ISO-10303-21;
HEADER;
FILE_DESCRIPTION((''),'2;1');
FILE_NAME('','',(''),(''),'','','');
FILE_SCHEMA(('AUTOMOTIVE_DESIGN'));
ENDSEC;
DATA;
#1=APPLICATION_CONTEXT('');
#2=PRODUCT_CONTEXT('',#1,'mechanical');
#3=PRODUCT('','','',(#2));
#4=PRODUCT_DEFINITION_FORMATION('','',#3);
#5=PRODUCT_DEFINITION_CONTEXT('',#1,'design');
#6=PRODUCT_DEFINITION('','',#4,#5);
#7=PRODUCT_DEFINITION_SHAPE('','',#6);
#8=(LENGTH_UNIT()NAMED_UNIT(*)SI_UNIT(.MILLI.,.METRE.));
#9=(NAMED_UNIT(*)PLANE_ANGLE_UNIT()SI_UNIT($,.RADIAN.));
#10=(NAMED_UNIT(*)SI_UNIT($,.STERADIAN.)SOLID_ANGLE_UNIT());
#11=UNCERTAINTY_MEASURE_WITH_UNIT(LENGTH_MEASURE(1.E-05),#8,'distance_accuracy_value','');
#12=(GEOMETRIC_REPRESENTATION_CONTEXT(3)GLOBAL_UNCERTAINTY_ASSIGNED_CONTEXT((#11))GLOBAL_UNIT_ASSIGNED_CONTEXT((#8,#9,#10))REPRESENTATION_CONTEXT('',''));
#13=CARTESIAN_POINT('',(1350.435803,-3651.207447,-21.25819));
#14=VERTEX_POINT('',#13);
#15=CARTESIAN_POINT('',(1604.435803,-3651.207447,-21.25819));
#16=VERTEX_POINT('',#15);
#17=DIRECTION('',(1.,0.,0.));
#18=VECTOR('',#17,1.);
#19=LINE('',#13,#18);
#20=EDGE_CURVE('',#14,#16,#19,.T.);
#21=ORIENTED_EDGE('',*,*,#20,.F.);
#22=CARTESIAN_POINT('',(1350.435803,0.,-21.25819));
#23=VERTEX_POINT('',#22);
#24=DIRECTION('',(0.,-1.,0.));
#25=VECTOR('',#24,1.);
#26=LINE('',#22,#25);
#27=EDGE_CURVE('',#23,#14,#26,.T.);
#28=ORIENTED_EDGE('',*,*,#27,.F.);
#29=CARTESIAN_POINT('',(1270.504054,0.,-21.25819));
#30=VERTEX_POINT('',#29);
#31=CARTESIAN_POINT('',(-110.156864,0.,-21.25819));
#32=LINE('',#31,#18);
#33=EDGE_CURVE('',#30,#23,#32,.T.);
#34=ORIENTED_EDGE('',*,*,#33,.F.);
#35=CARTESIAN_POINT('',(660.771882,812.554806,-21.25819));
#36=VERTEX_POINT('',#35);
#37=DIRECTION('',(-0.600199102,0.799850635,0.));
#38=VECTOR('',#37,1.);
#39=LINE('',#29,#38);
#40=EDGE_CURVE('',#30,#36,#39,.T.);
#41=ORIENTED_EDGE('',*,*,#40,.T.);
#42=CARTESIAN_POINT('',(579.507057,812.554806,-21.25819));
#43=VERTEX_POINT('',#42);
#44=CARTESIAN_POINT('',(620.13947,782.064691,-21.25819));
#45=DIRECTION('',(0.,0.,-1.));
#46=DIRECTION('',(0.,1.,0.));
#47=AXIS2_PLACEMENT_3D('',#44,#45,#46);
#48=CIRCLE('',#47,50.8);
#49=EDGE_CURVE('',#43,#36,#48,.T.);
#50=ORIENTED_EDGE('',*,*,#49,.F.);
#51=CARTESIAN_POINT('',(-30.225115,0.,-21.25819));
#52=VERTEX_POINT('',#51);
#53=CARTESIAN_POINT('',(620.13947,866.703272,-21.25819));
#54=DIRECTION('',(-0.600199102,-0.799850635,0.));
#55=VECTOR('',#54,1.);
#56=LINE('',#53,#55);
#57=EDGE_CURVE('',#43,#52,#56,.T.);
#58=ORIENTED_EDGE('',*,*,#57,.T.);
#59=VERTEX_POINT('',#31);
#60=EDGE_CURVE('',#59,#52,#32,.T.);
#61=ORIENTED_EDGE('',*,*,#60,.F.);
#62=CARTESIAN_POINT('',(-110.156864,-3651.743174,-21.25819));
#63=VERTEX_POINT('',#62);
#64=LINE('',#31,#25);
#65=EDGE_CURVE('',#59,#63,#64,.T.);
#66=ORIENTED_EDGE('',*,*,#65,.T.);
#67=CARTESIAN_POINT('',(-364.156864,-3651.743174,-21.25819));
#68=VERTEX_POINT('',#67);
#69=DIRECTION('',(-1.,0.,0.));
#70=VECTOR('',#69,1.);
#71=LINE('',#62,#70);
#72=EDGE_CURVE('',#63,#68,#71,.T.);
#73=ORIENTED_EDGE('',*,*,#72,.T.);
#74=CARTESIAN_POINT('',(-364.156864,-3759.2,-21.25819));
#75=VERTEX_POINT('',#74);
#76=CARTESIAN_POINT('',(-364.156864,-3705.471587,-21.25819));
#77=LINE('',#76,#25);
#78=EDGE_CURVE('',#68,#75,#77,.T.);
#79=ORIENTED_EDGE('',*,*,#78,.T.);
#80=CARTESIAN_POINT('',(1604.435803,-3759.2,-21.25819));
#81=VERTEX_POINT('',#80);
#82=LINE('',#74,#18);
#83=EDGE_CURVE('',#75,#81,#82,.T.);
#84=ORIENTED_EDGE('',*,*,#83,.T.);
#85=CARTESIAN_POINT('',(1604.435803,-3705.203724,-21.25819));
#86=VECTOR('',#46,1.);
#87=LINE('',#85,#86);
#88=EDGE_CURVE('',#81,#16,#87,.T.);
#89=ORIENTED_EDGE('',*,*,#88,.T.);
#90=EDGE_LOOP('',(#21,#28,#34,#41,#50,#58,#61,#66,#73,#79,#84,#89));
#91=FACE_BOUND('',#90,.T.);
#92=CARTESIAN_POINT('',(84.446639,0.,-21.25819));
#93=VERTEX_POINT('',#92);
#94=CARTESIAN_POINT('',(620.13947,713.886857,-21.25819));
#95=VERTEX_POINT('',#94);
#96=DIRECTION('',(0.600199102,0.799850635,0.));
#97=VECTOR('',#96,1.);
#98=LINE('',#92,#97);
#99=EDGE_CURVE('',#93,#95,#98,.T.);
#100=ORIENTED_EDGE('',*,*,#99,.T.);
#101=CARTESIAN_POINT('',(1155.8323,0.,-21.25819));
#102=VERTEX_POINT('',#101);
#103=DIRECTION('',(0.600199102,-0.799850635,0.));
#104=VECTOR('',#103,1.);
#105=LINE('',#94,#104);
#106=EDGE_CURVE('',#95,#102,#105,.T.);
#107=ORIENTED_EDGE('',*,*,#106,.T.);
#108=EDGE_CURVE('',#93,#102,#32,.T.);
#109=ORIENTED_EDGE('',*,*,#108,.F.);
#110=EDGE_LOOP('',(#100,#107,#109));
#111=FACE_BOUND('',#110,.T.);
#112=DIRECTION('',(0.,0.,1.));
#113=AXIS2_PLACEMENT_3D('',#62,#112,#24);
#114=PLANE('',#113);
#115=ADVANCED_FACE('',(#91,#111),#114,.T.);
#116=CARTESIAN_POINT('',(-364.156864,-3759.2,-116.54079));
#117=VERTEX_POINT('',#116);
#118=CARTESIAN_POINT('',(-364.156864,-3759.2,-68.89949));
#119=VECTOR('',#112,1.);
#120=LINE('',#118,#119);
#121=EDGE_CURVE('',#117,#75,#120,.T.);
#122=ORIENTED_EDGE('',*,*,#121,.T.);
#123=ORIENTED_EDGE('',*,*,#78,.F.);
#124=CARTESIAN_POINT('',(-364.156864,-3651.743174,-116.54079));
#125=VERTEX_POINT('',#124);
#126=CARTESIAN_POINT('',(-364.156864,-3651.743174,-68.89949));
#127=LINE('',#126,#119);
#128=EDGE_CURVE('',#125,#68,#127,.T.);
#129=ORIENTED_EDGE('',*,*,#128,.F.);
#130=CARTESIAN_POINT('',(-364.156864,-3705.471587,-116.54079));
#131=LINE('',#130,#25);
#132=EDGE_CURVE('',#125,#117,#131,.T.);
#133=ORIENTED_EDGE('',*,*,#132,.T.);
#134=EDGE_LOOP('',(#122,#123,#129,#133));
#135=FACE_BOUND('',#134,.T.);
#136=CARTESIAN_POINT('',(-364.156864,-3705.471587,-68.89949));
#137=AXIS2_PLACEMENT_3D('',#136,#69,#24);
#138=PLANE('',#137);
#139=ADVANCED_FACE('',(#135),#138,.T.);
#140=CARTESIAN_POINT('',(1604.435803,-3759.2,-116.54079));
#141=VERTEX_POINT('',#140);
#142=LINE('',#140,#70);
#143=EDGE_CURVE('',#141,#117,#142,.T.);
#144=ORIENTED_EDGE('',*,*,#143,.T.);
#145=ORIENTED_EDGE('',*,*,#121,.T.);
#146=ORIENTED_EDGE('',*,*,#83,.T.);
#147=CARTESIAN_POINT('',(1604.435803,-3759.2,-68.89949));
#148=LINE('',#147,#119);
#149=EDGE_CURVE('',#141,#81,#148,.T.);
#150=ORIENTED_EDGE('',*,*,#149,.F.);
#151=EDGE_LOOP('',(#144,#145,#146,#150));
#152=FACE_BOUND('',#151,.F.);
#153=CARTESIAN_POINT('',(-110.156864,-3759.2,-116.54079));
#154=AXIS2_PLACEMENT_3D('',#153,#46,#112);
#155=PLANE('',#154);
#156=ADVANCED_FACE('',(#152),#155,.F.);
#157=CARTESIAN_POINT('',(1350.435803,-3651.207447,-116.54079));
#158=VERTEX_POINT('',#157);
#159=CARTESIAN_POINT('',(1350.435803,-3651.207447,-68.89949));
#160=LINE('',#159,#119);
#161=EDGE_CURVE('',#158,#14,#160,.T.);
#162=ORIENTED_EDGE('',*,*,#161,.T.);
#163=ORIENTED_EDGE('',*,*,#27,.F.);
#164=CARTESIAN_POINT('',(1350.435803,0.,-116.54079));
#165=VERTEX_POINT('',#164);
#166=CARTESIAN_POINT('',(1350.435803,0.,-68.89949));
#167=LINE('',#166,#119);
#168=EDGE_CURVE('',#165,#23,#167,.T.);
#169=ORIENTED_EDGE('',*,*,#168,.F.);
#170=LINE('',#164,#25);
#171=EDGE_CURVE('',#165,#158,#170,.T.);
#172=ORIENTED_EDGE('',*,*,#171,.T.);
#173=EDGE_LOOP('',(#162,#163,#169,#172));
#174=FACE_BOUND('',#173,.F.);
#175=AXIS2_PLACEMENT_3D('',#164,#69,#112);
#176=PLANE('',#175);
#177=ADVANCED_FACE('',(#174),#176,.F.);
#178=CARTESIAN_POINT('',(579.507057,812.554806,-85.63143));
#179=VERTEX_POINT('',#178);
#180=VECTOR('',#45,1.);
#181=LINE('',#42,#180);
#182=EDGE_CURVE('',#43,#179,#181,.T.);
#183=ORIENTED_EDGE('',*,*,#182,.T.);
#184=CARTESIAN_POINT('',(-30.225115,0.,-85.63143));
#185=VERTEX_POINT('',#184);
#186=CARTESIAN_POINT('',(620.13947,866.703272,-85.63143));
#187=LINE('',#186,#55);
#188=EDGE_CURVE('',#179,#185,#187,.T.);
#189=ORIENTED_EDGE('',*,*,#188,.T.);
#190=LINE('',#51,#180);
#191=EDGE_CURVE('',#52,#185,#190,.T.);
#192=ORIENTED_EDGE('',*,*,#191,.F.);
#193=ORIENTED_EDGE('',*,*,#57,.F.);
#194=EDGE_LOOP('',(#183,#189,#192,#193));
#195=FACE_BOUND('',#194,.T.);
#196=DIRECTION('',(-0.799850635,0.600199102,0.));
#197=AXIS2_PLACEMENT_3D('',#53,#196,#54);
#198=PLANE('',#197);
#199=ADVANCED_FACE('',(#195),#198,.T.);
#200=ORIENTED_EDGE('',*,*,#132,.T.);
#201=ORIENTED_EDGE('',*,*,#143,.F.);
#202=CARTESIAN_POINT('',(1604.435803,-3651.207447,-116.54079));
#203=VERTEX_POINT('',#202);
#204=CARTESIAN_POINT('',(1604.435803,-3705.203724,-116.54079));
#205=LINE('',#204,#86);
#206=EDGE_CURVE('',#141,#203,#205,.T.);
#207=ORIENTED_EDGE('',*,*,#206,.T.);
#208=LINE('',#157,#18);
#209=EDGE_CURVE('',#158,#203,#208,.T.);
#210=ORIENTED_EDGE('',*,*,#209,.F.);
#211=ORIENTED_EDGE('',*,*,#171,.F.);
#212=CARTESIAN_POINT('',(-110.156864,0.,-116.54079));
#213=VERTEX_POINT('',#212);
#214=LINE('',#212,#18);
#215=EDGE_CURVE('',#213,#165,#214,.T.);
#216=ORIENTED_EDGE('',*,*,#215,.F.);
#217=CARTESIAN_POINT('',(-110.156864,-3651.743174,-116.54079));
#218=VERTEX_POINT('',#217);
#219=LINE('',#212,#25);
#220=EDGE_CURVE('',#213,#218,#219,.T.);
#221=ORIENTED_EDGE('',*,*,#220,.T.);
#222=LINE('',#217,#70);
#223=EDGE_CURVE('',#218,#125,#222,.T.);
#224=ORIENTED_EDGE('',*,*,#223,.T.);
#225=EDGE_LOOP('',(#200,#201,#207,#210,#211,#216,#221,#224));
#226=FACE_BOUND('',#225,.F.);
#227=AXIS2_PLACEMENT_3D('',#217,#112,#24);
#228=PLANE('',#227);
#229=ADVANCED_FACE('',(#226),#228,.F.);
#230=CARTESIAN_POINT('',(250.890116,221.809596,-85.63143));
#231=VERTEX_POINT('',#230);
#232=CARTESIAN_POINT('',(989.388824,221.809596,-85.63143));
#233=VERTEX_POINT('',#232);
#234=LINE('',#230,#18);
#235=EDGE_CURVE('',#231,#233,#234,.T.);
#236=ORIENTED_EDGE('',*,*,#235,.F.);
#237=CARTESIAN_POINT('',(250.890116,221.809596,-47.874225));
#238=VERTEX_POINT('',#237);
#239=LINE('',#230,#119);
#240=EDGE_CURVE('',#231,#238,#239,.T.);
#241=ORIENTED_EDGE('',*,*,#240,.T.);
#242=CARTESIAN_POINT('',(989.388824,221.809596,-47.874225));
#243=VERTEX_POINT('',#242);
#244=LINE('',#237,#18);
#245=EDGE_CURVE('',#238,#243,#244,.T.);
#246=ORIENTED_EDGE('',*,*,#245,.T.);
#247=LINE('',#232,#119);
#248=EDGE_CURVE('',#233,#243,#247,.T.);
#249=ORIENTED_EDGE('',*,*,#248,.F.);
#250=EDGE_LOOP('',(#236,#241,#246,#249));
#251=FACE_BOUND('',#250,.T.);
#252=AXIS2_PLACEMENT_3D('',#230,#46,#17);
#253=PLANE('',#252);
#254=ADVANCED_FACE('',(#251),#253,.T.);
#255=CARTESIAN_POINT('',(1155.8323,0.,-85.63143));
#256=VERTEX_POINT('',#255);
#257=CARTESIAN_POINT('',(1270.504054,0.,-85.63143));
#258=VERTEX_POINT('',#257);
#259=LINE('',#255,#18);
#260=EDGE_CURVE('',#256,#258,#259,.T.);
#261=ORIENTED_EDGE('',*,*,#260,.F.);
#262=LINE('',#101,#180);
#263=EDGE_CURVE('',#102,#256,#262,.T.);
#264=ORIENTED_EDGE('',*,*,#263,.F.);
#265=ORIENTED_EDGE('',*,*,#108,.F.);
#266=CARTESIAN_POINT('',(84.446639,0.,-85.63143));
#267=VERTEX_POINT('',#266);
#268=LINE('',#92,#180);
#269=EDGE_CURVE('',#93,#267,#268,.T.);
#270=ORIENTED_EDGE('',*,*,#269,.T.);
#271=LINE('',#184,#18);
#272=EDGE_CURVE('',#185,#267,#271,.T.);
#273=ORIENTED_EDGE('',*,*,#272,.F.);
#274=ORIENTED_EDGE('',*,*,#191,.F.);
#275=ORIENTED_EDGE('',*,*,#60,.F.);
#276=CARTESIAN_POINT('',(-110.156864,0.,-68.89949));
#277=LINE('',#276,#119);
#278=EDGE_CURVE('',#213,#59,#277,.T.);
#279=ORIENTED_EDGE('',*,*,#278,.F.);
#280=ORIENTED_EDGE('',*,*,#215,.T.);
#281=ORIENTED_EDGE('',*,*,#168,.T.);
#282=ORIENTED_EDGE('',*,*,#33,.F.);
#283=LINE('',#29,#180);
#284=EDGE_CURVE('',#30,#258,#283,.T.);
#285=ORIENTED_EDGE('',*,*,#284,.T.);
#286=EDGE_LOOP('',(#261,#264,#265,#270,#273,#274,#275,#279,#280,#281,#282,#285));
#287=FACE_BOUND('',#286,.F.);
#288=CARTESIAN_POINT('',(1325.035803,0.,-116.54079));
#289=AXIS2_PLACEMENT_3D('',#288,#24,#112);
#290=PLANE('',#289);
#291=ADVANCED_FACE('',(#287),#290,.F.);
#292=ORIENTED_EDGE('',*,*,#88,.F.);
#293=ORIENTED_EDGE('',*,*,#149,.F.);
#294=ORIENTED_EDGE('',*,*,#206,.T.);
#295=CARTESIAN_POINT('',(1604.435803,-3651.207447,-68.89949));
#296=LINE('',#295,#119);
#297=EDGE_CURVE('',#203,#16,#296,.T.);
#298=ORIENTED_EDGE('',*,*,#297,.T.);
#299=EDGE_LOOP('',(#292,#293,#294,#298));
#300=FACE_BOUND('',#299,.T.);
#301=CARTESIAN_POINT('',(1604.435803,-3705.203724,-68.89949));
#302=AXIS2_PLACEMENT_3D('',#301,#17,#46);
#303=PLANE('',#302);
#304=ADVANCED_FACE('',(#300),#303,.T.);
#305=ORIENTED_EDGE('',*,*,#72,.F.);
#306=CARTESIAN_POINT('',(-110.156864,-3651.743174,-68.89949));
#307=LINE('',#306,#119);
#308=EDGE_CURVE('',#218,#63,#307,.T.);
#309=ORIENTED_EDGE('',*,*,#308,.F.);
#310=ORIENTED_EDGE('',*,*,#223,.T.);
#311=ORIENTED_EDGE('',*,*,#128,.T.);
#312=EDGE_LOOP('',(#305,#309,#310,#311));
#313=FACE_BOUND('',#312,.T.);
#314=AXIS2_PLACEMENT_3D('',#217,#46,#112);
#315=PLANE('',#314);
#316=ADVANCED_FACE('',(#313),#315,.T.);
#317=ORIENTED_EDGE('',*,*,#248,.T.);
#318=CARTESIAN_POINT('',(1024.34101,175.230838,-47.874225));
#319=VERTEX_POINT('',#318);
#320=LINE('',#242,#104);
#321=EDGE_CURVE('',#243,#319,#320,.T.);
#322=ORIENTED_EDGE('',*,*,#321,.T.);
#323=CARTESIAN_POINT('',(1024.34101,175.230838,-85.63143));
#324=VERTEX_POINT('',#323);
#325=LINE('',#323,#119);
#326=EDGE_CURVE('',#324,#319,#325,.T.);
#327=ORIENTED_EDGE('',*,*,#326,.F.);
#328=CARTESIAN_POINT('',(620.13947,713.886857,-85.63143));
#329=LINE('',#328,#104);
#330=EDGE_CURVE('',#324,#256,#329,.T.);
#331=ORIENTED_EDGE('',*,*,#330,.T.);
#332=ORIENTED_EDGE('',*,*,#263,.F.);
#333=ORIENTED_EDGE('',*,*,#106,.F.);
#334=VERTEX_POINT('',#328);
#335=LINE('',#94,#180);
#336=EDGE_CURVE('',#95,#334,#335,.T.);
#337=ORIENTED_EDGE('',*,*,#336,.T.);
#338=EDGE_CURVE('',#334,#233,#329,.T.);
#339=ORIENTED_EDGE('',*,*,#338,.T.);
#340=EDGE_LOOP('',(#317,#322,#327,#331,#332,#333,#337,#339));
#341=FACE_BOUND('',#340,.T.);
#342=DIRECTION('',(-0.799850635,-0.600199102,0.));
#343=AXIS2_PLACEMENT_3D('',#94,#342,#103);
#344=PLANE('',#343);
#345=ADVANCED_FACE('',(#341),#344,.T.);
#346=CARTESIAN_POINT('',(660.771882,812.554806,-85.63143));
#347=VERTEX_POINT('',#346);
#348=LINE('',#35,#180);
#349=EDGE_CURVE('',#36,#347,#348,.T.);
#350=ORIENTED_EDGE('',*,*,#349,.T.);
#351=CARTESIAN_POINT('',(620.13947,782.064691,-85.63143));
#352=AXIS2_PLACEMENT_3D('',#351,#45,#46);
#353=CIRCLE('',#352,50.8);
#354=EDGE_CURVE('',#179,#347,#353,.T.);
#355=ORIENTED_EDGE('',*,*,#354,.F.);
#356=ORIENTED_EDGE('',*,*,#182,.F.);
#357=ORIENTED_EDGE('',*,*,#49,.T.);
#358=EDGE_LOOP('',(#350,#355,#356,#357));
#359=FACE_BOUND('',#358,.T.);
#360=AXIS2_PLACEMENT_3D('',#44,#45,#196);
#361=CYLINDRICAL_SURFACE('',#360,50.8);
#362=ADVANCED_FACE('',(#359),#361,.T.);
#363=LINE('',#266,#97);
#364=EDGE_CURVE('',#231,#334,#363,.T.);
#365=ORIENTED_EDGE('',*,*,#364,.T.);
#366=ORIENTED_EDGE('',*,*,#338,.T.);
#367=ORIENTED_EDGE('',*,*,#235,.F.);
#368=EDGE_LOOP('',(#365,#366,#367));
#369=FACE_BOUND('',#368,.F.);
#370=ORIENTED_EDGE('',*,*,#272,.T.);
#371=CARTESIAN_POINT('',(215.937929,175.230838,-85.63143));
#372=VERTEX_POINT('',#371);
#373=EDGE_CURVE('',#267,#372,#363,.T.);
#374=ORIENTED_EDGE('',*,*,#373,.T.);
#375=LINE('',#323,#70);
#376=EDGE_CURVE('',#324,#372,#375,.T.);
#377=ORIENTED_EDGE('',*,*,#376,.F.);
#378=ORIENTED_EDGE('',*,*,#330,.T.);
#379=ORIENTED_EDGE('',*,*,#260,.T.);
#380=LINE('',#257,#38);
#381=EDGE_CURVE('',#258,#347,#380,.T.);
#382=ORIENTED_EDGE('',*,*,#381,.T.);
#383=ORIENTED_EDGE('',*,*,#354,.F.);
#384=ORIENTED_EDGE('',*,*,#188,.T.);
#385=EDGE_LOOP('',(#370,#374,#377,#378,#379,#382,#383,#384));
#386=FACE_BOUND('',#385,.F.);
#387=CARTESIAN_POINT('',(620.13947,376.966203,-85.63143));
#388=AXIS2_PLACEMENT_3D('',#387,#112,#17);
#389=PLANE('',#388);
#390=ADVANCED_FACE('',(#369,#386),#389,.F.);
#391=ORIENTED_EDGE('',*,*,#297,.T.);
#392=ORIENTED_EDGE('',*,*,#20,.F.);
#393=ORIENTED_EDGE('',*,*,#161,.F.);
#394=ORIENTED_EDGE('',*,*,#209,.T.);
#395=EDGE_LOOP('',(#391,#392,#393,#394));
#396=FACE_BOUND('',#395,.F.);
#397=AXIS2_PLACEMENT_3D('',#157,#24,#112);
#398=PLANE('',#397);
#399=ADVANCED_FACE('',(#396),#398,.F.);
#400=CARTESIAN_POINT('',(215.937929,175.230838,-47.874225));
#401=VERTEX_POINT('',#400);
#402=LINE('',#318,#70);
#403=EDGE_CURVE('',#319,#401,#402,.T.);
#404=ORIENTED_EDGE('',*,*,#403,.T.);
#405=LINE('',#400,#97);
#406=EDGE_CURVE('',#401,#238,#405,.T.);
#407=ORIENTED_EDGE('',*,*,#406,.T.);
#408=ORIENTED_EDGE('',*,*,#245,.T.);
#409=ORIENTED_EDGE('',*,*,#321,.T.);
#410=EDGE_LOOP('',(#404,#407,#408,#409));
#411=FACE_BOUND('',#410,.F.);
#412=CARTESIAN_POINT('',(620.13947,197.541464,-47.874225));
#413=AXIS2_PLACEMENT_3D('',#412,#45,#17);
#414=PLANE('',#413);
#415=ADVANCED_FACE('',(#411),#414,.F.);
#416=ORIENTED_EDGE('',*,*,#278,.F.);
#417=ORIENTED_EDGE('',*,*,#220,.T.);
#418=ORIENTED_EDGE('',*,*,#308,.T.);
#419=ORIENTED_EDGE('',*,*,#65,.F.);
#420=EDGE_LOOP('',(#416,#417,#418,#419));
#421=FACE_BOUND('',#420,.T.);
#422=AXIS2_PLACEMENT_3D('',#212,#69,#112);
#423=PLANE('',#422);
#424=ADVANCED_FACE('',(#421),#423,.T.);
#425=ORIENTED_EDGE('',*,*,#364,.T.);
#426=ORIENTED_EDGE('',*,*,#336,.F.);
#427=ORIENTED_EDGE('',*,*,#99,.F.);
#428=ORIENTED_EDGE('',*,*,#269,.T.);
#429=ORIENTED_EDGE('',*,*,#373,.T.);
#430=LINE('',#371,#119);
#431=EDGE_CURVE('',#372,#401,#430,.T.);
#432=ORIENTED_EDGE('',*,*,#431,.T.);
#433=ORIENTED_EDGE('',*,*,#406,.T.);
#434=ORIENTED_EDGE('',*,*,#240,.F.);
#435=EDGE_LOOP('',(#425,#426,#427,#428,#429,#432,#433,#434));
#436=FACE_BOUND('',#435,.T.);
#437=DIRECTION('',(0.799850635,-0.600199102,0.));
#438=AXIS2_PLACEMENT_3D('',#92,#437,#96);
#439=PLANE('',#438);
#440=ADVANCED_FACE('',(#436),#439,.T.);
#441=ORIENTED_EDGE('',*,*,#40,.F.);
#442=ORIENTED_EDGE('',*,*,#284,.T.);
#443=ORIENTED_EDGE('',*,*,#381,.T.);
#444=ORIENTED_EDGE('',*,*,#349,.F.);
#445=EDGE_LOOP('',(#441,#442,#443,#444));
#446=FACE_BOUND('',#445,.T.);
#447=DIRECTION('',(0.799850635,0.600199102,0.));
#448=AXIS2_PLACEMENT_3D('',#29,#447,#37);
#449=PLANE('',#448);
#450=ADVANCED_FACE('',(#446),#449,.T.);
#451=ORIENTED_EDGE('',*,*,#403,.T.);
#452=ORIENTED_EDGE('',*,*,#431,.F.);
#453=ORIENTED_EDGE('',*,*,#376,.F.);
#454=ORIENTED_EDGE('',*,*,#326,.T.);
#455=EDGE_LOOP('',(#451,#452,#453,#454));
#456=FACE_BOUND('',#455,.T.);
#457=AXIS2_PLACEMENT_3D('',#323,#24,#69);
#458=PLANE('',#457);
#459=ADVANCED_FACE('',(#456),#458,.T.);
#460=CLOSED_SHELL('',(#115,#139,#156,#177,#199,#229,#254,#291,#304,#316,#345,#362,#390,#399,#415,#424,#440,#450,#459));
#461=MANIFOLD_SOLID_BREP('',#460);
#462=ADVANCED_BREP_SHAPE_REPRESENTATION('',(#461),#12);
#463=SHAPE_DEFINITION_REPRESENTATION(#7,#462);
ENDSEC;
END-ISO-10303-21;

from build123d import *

# Parameters (mm, degrees)
F0_W      = 1435.1926669478
F0_H      = 95.2825993299
F1_DEPTH  = 3759.2
F2_DEPTH  = 25.4
F3_W      = 107.992552948
F3_H      = 95.2825993299
F4_DEPTH  = 254
F5_W      = 107.4568264008
F5_H      = 95.2825993299
F6_DEPTH  = 254
F8_DEPTH  = 64.3732398748
F9_R      = 50.8
F11_DEPTH = 37.7572048455


with BuildPart() as f1:
    # F0 (on Front) → F1 (new body)
    with BuildSketch(Plane.XZ):
        with Locations((607.4394695461, -68.8994899392)):
            Rectangle(F0_W, F0_H)
    extrude(amount=F1_DEPTH)

    # F2 (add): a face of the model
    f2_faces = [f1.faces().sort_by_distance(p)[0] for p in [
        (1325.03580302, -1879.6, -68.8994899392),
    ]]
    extrude(f2_faces, amount=F2_DEPTH)

    # F3 (on face) → F4 (join)
    with BuildSketch(Plane.YZ.offset(1350.43580302)):
        with Locations((-3705.203723526, -68.8994899392)):
            Rectangle(F3_W, F3_H)
    extrude(amount=F4_DEPTH)

    # F5 (on face) → F6 (join)
    with BuildSketch(Plane(origin=(-110.1568639278, 0, 0), x_dir=(0, -1, 0), z_dir=(-1, 0, 0))):
        with Locations((3705.4715867996, -68.8994899392)):
            Rectangle(F5_W, F5_H)
    extrude(amount=F6_DEPTH)

    # F7 (on face) → F8 (join)
    with BuildSketch(Plane.XY.offset(-21.2581902742)):
        Polygon((1155.8323002696, 0), (1270.5040539747, 0), (620.1394695461, 866.7032718658), (-30.2251148825, 0), (84.4466388226, 0), (620.1394695461, 713.8868570328), align=None)
    extrude(amount=-F8_DEPTH)

    # F9
    f9_edges = [f1.edges().sort_by_distance(p)[0] for p in [
        (620.13947, 866.703272, -53.44481),
    ]]
    fillet(f9_edges, radius=F9_R)

    # F10 (on face) → F11 (join)
    with BuildSketch(Plane(origin=(0, 0, -85.6314301491), x_dir=(1, 0, 0), z_dir=(0, 0, -1))):
        Polygon((1024.341010293, -175.2308381685), (215.9379287991, -175.2308381685), (250.8901155181, -221.809596166), (989.388823574, -221.809596166), align=None)
    extrude(amount=-F11_DEPTH)


solid = f1.part
